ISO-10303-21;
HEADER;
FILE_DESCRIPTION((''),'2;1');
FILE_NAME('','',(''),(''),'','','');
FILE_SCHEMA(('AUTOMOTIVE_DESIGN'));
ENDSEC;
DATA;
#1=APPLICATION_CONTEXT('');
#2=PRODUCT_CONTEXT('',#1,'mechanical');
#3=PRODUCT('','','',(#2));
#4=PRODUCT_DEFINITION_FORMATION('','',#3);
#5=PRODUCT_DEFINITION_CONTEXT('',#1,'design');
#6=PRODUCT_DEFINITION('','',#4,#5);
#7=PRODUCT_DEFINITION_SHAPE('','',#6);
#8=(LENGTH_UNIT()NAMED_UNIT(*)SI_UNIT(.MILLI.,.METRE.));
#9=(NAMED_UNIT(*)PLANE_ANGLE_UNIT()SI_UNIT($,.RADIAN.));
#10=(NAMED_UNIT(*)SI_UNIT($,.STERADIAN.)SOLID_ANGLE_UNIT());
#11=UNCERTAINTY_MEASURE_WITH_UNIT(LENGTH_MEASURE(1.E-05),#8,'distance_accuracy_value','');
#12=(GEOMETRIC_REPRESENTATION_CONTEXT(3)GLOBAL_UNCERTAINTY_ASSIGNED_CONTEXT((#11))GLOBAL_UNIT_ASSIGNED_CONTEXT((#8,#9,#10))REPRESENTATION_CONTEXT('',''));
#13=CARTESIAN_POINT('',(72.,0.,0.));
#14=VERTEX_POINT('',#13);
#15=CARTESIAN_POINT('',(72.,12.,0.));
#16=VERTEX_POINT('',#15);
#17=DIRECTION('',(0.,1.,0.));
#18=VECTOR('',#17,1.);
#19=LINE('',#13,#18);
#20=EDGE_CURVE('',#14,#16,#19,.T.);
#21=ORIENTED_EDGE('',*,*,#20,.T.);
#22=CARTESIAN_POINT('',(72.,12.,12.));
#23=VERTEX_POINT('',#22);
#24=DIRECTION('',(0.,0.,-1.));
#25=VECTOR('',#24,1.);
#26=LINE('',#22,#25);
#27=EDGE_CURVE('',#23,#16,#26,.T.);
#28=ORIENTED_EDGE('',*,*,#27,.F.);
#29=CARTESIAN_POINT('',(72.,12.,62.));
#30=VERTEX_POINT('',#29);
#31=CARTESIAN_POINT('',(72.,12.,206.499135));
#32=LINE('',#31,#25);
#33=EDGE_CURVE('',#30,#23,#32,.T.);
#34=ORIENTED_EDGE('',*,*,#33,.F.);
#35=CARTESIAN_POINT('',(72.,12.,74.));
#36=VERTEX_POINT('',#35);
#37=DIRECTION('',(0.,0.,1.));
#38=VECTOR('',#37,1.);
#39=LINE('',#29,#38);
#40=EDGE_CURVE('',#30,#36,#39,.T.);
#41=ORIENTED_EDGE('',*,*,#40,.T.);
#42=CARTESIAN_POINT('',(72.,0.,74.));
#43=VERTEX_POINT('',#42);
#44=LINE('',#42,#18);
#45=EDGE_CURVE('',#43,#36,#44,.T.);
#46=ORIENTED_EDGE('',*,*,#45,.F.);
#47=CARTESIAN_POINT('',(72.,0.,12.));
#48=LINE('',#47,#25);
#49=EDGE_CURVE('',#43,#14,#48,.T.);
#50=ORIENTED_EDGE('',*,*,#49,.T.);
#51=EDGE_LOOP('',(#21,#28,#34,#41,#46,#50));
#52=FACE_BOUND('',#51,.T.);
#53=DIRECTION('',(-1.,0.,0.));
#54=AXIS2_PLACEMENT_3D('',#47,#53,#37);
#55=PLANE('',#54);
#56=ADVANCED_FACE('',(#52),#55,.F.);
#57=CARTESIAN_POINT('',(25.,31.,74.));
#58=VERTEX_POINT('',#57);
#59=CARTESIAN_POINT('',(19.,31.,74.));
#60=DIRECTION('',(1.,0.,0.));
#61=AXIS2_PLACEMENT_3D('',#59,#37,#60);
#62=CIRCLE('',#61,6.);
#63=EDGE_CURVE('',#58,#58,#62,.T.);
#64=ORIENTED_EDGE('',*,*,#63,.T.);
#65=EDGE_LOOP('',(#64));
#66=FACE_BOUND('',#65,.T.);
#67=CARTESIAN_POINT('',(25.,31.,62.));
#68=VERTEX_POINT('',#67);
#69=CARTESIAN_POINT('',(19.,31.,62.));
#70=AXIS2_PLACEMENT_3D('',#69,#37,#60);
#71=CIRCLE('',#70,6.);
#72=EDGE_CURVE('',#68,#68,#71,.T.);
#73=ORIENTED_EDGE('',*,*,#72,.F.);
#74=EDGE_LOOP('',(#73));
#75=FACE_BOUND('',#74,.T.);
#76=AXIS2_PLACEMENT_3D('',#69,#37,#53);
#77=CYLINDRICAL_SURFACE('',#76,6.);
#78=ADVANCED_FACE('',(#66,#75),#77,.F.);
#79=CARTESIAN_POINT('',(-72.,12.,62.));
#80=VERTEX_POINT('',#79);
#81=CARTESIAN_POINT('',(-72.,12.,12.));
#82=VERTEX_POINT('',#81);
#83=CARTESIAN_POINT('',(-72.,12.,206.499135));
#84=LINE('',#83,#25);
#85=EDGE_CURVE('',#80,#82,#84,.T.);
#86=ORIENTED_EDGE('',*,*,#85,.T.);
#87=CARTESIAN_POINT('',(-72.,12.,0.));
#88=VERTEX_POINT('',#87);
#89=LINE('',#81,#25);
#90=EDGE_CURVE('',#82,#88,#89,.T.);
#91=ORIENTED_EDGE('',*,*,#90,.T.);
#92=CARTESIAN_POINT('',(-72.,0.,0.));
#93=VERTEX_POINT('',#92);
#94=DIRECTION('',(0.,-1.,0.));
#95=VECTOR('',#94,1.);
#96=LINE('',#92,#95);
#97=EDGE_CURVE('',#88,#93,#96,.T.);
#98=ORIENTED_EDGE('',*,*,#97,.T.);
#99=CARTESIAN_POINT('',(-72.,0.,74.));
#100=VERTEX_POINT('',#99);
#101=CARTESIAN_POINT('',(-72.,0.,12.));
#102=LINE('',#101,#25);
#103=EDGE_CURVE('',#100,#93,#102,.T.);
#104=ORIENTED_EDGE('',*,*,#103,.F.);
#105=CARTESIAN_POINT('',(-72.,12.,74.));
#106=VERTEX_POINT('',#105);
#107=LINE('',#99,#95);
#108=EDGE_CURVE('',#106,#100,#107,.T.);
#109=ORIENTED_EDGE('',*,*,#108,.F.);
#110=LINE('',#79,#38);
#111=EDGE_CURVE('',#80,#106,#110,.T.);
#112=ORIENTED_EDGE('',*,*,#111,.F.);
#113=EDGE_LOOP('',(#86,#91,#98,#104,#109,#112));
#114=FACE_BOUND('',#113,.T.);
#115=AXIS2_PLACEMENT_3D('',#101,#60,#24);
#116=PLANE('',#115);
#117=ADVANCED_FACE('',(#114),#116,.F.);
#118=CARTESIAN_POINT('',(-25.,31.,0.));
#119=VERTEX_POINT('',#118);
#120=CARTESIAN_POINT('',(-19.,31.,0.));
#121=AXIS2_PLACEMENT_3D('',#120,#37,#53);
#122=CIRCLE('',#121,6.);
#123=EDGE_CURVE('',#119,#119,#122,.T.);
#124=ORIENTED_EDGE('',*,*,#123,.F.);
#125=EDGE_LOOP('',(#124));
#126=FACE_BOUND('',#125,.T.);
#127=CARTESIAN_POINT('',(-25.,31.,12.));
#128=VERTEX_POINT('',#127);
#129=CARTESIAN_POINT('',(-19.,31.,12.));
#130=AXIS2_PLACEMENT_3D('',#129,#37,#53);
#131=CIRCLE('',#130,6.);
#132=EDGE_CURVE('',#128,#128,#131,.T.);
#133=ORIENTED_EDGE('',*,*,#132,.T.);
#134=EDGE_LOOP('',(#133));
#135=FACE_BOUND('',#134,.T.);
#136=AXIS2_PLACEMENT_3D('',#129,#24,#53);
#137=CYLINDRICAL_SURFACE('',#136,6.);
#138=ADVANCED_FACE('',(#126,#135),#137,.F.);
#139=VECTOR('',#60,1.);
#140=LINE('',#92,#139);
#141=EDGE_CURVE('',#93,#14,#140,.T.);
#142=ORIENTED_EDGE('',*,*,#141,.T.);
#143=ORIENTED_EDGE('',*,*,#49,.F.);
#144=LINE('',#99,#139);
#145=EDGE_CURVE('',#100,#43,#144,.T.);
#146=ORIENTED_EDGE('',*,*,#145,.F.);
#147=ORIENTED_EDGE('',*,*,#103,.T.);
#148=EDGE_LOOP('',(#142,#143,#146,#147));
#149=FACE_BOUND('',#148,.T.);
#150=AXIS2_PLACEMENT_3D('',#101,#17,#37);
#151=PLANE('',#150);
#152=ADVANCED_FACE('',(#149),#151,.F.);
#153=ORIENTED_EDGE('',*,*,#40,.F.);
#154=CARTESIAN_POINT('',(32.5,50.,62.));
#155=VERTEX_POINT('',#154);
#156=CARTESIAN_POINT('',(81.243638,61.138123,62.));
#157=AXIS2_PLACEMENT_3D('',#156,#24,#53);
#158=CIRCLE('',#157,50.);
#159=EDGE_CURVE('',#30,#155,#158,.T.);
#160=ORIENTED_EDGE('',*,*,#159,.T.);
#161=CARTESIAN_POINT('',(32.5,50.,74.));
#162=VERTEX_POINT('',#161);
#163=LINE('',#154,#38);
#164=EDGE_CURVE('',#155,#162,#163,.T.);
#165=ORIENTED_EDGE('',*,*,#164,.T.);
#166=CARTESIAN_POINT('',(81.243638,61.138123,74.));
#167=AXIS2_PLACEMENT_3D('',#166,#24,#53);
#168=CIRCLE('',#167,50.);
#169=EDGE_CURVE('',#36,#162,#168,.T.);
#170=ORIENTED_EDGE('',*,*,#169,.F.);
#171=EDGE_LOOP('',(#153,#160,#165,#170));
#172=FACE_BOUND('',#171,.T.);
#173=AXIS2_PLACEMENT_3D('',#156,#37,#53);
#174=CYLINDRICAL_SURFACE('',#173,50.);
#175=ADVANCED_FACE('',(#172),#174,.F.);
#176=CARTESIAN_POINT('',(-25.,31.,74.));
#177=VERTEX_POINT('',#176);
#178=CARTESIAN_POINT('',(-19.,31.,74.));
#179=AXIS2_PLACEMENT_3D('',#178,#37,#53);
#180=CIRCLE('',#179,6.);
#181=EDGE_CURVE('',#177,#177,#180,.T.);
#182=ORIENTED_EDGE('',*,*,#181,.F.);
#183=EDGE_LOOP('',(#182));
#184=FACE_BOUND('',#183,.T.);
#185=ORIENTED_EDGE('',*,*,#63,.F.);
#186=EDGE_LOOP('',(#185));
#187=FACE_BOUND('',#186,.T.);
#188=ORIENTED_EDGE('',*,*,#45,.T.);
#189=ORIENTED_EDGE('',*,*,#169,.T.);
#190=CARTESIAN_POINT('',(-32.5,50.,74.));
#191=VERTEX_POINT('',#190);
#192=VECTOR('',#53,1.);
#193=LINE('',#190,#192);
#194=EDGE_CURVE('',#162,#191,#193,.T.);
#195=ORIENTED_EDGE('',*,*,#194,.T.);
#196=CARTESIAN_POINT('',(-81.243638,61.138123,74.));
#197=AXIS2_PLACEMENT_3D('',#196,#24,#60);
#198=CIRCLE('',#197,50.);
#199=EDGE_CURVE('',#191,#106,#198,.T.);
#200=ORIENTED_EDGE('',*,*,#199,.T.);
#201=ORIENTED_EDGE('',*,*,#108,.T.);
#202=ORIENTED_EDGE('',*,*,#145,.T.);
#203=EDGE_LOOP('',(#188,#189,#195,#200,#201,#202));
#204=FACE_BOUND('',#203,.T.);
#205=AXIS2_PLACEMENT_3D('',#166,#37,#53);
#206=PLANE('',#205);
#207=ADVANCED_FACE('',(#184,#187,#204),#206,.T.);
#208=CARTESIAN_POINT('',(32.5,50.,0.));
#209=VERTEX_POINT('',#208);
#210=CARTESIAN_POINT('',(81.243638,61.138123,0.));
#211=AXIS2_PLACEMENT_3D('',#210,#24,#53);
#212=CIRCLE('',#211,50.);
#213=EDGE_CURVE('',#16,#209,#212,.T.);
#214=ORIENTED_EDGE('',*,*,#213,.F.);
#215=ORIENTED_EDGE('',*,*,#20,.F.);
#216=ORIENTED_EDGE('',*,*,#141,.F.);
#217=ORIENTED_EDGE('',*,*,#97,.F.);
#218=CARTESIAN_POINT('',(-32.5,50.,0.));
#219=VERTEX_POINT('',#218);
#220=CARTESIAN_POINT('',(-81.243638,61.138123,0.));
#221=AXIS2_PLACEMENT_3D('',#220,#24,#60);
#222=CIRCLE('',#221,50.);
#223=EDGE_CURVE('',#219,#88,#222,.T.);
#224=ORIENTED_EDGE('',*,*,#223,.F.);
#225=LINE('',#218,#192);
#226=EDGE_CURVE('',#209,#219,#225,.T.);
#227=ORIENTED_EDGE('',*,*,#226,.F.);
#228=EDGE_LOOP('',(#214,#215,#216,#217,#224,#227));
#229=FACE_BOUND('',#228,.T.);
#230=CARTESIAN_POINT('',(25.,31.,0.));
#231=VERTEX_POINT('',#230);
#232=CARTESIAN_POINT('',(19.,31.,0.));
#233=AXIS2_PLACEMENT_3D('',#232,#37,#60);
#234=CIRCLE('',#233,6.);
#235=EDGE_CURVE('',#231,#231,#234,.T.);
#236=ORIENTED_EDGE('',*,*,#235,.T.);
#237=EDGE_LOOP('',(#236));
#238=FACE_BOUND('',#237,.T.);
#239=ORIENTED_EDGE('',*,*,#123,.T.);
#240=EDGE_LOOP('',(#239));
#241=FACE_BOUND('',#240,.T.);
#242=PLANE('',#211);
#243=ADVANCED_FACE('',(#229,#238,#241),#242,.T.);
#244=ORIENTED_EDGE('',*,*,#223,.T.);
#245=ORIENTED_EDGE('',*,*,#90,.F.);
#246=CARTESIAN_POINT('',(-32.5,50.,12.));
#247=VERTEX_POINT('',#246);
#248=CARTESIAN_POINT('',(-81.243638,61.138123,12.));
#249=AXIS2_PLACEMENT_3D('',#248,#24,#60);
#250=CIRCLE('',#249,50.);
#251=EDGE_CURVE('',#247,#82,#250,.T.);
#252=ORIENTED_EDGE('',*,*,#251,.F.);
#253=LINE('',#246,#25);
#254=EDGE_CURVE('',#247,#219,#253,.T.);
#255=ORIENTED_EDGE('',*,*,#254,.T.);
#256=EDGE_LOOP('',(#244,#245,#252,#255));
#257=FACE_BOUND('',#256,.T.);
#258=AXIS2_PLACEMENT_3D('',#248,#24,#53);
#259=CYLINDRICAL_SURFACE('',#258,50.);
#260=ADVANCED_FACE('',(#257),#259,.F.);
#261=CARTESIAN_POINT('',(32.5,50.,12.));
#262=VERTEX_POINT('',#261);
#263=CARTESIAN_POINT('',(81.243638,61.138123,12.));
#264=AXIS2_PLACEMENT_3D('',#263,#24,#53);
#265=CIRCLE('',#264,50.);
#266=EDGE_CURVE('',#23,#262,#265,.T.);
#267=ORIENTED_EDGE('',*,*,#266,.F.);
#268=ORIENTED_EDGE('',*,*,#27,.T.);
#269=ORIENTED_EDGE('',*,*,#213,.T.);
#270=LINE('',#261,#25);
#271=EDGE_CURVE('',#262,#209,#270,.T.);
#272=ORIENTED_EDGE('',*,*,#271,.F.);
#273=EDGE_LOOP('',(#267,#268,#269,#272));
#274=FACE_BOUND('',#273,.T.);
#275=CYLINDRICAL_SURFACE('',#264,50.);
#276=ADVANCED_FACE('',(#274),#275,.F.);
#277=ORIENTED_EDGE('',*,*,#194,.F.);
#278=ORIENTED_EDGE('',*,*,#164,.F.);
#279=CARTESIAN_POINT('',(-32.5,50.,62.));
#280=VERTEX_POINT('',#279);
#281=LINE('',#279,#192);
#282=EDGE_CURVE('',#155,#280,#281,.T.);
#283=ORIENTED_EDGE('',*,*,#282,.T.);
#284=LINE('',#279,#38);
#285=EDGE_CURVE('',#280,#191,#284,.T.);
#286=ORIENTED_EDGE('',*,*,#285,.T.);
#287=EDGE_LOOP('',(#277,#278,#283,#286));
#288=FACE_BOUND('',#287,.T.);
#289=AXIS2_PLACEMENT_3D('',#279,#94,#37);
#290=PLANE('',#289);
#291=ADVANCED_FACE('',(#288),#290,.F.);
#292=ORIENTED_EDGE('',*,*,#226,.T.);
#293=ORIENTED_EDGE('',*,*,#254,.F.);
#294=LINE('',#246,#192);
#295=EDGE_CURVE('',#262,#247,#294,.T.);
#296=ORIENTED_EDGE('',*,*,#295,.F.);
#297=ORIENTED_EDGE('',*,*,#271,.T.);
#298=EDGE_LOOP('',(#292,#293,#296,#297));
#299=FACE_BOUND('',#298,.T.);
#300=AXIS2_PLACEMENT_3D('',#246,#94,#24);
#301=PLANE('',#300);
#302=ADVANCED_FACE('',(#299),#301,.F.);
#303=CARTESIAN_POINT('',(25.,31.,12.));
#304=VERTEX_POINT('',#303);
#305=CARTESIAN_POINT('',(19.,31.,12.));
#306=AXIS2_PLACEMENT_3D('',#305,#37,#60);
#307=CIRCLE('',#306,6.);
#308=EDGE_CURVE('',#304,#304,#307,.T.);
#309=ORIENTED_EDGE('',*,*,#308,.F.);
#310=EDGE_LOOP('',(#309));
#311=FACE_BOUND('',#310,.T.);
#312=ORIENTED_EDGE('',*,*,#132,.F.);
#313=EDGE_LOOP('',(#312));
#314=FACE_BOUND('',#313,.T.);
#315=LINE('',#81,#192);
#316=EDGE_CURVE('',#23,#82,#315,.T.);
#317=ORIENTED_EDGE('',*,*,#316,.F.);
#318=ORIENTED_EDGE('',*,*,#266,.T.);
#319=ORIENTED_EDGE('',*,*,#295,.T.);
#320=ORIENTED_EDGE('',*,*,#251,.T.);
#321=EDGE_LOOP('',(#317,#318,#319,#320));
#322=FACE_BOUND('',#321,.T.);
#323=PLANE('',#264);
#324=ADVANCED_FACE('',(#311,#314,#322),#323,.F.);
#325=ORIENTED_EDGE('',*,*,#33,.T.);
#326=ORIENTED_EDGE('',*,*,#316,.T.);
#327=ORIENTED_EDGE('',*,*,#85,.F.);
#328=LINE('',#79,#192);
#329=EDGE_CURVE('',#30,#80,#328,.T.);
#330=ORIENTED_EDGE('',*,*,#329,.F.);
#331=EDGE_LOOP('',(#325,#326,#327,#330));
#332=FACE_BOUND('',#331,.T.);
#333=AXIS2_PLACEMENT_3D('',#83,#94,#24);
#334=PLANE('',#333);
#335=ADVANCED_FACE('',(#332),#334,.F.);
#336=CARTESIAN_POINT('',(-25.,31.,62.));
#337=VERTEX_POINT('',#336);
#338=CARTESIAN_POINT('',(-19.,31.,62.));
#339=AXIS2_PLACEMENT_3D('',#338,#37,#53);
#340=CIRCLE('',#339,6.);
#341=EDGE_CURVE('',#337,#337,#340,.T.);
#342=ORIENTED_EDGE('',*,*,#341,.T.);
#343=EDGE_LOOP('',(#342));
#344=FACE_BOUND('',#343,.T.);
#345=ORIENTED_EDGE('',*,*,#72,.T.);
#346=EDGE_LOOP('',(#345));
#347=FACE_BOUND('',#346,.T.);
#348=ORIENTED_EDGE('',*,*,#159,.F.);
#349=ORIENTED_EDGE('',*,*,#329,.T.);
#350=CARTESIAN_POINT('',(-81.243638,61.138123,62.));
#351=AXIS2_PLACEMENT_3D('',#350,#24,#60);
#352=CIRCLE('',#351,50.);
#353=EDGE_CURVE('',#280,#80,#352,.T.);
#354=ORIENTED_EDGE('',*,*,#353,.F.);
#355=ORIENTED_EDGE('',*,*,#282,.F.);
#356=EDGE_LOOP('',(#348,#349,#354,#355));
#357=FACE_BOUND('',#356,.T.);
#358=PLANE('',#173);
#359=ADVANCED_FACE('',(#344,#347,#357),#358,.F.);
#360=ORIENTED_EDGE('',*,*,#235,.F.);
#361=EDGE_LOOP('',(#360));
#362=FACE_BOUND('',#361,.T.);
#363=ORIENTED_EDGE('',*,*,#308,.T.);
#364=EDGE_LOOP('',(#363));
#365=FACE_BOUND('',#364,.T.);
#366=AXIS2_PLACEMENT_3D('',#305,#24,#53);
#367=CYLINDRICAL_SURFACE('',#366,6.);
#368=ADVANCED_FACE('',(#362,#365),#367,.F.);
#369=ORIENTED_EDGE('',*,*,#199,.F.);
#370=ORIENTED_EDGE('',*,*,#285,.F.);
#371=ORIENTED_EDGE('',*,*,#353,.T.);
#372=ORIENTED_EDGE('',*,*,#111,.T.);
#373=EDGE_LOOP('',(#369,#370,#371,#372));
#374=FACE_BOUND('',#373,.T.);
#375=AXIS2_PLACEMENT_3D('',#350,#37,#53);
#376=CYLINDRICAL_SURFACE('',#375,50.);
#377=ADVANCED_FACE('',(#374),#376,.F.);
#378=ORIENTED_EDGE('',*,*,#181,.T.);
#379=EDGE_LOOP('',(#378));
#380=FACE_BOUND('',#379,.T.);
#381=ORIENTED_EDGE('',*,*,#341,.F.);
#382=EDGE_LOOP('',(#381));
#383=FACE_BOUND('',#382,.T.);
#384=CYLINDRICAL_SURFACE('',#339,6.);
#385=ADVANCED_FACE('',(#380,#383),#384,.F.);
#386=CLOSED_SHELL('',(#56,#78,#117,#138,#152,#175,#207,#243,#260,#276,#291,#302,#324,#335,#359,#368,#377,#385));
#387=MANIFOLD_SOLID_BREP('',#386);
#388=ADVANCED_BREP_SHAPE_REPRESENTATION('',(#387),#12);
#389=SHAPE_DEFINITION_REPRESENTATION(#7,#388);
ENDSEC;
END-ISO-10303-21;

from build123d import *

# Parameters (mm, degrees)
SKETCH1_R           = 6
BOSS_EXTRUDE1_DEPTH = 12
BOSS_EXTRUDE2_START = -25
SKETCH2_W           = 144
SKETCH2_H           = 12
BOSS_EXTRUDE2_DEPTH = 50


with BuildPart() as part:
    # Sketch1 → Boss-Extrude1 (new body)
    with BuildSketch(Plane.XY):
        with BuildLine():
            Line((-72, 0), (72, 0))
            Line((72, 0), (72, 12))
            ThreePointArc((72, 12), (46.579087682, 25.10523588), (32.5, 50))
            Line((32.5, 50), (-32.5, 50))
            ThreePointArc((-32.5, 50), (-46.579087682, 25.10523588), (-72, 12))
            Line((-72, 12), (-72, 0))
        make_face()
        with Locations((19, 31)):
            Circle(SKETCH1_R, mode=Mode.SUBTRACT)
        with Locations(Location((-19, 31, 0), (0, 0, 180))):
            Circle(SKETCH1_R, mode=Mode.SUBTRACT)
    extrude(amount=BOSS_EXTRUDE1_DEPTH)


with BuildPart() as body_2:
    # Mirror2: mirrored copy
    add(part.part.mirror(Plane.XY.offset(37)))


with BuildPart() as part_1:
    add(part.part)

    add(body_2.part)  # Boss-Extrude2 merges body 2
    # Sketch2 → Boss-Extrude2 (add)
    with BuildSketch(Plane.XY.offset(37).offset(BOSS_EXTRUDE2_START)):
        with Locations((0, 6)):
            Rectangle(SKETCH2_W, SKETCH2_H)
    extrude(amount=BOSS_EXTRUDE2_DEPTH)


solid = part_1.part
